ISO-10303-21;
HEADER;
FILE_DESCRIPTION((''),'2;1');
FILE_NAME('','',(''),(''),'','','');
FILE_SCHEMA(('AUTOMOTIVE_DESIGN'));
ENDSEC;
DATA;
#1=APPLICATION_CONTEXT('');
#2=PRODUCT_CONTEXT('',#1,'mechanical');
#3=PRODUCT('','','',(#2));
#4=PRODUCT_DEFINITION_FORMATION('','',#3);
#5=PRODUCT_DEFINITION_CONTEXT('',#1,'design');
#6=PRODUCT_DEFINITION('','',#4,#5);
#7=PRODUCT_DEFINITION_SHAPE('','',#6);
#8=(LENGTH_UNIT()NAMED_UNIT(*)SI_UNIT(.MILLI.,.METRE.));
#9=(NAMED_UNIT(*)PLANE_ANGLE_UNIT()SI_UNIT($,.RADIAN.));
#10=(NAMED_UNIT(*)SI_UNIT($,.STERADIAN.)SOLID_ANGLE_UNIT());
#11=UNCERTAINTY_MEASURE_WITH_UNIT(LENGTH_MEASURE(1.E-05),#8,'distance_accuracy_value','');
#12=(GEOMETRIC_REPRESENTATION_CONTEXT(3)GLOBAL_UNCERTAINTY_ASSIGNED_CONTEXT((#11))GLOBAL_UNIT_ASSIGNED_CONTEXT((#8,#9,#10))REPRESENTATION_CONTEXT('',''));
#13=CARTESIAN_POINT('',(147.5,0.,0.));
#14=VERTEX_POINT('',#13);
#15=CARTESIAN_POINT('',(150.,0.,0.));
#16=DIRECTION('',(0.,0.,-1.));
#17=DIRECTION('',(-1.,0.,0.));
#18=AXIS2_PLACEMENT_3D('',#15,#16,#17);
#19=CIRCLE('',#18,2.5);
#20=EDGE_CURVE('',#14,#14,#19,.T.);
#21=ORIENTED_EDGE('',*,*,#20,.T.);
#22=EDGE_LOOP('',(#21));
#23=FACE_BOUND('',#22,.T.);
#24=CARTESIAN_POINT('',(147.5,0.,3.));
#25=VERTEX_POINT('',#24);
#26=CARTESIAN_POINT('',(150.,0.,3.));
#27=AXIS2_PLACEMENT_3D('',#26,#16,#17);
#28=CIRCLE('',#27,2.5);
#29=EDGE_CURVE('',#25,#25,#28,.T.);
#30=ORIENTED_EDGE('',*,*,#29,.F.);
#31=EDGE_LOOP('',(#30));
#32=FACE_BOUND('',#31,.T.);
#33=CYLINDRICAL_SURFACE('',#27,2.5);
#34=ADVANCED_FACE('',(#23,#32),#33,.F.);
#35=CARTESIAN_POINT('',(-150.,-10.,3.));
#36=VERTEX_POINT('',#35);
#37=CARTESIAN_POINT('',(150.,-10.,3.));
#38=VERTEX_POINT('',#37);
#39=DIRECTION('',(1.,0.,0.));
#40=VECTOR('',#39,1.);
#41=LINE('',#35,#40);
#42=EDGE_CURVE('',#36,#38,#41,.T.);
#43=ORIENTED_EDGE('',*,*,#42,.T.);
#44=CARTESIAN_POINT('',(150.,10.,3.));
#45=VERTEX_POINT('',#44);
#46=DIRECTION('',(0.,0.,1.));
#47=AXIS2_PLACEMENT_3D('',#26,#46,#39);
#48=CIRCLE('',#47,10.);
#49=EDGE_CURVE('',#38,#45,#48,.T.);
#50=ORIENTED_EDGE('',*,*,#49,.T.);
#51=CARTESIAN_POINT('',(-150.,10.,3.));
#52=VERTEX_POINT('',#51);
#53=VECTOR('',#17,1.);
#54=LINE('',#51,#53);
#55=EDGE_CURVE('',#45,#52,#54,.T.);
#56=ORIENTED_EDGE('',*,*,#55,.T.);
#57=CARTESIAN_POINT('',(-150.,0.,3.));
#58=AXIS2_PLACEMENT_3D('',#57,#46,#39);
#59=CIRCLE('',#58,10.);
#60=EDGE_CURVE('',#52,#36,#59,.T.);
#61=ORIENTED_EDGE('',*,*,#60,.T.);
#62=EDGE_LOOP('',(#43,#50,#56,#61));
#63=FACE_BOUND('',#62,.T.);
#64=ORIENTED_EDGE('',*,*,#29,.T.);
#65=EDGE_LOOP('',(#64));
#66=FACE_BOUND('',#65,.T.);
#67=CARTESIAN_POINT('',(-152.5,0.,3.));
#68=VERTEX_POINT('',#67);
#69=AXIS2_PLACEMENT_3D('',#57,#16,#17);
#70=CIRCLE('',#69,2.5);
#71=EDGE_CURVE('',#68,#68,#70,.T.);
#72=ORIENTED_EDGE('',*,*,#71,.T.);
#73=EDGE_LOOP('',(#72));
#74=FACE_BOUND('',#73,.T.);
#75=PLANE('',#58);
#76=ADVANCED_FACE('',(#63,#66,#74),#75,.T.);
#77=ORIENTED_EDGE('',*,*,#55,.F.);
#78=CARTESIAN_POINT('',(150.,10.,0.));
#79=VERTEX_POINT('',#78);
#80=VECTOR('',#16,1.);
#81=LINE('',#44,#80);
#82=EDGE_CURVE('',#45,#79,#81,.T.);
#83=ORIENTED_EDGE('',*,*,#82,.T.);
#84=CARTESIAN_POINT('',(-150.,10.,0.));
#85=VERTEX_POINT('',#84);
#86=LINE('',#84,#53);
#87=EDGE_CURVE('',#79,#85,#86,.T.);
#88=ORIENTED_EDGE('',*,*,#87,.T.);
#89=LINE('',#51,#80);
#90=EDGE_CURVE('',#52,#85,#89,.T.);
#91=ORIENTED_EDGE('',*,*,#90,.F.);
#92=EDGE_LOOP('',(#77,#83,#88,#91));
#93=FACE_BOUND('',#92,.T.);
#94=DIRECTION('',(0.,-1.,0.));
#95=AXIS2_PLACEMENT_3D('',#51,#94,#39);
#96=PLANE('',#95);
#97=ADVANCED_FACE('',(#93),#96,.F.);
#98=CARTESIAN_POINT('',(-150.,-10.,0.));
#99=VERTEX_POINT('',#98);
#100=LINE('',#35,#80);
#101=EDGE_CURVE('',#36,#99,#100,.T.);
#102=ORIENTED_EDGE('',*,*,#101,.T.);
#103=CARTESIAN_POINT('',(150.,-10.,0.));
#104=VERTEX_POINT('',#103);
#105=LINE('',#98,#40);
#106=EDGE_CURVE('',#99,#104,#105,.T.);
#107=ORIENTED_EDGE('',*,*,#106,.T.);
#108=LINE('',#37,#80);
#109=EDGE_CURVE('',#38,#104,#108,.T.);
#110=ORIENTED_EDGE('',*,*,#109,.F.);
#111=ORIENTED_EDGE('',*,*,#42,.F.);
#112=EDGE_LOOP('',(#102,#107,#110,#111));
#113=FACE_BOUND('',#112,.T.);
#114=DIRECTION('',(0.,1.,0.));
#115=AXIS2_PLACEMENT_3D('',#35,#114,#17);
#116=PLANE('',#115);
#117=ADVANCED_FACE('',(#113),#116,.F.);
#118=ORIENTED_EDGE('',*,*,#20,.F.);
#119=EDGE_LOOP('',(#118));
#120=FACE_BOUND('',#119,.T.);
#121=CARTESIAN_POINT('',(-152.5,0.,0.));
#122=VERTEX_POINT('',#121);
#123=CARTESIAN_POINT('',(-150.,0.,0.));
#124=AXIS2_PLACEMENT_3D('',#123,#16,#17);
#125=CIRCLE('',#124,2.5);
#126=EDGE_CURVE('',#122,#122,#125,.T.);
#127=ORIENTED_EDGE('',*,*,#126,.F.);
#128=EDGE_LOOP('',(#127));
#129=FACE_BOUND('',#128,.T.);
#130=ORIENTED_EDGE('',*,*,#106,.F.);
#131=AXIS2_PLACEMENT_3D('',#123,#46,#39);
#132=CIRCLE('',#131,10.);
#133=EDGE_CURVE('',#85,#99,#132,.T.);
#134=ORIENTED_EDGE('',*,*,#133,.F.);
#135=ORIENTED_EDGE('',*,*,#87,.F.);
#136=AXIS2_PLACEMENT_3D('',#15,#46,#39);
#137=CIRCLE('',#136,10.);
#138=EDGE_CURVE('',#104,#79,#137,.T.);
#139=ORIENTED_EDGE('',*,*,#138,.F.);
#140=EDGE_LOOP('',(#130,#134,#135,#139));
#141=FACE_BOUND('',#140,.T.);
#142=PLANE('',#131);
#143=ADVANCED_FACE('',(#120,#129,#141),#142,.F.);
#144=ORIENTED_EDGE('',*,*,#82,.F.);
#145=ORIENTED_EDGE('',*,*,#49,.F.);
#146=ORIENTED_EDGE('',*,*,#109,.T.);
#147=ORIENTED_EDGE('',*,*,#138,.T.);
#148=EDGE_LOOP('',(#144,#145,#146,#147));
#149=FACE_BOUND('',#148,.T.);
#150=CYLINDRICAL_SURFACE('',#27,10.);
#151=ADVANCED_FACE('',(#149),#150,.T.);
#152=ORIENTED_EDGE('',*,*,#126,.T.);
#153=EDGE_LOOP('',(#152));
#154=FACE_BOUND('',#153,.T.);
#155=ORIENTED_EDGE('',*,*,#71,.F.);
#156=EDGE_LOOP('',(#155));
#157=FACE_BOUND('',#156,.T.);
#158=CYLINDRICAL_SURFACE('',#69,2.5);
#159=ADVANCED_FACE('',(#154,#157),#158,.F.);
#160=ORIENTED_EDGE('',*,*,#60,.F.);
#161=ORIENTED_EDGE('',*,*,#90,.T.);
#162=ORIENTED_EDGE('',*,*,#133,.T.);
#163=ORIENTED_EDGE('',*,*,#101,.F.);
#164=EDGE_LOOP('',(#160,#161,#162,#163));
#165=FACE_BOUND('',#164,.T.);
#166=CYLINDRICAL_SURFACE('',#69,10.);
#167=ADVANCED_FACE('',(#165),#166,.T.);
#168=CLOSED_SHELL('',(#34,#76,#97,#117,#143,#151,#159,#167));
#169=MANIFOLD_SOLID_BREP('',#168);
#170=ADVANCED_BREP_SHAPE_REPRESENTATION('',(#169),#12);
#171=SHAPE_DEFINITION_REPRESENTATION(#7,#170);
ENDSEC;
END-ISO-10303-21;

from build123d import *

# Parameters (mm, degrees)
EXTRUDE_1_DEPTH     = 3
SKETCH_2_R          = 2.5
CUT_EXTRUDE_1_DEPTH = 3


with BuildPart() as part:
    # 草图1 → 凸台-拉伸1 (new body)
    with BuildSketch(Plane.XY):
        with BuildLine():
            Line((-150, 10), (150, 10))
            ThreePointArc((150, 10), (160, 0), (150, -10))
            Line((150, -10), (-150, -10))
            ThreePointArc((-150, -10), (-160, 0), (-150, 10))
        make_face()
    extrude(amount=EXTRUDE_1_DEPTH)

    # 草图2 → 切除-拉伸1 (cut)
    with BuildSketch(Plane(origin=(0, 0, 0), x_dir=(-1, 0, 0), z_dir=(0, 0, -1))):
        with Locations((150, 0)):
            Circle(SKETCH_2_R)
        with Locations((-150, 0)):
            Circle(SKETCH_2_R)
    extrude(amount=-CUT_EXTRUDE_1_DEPTH, mode=Mode.SUBTRACT)


solid = part.part
